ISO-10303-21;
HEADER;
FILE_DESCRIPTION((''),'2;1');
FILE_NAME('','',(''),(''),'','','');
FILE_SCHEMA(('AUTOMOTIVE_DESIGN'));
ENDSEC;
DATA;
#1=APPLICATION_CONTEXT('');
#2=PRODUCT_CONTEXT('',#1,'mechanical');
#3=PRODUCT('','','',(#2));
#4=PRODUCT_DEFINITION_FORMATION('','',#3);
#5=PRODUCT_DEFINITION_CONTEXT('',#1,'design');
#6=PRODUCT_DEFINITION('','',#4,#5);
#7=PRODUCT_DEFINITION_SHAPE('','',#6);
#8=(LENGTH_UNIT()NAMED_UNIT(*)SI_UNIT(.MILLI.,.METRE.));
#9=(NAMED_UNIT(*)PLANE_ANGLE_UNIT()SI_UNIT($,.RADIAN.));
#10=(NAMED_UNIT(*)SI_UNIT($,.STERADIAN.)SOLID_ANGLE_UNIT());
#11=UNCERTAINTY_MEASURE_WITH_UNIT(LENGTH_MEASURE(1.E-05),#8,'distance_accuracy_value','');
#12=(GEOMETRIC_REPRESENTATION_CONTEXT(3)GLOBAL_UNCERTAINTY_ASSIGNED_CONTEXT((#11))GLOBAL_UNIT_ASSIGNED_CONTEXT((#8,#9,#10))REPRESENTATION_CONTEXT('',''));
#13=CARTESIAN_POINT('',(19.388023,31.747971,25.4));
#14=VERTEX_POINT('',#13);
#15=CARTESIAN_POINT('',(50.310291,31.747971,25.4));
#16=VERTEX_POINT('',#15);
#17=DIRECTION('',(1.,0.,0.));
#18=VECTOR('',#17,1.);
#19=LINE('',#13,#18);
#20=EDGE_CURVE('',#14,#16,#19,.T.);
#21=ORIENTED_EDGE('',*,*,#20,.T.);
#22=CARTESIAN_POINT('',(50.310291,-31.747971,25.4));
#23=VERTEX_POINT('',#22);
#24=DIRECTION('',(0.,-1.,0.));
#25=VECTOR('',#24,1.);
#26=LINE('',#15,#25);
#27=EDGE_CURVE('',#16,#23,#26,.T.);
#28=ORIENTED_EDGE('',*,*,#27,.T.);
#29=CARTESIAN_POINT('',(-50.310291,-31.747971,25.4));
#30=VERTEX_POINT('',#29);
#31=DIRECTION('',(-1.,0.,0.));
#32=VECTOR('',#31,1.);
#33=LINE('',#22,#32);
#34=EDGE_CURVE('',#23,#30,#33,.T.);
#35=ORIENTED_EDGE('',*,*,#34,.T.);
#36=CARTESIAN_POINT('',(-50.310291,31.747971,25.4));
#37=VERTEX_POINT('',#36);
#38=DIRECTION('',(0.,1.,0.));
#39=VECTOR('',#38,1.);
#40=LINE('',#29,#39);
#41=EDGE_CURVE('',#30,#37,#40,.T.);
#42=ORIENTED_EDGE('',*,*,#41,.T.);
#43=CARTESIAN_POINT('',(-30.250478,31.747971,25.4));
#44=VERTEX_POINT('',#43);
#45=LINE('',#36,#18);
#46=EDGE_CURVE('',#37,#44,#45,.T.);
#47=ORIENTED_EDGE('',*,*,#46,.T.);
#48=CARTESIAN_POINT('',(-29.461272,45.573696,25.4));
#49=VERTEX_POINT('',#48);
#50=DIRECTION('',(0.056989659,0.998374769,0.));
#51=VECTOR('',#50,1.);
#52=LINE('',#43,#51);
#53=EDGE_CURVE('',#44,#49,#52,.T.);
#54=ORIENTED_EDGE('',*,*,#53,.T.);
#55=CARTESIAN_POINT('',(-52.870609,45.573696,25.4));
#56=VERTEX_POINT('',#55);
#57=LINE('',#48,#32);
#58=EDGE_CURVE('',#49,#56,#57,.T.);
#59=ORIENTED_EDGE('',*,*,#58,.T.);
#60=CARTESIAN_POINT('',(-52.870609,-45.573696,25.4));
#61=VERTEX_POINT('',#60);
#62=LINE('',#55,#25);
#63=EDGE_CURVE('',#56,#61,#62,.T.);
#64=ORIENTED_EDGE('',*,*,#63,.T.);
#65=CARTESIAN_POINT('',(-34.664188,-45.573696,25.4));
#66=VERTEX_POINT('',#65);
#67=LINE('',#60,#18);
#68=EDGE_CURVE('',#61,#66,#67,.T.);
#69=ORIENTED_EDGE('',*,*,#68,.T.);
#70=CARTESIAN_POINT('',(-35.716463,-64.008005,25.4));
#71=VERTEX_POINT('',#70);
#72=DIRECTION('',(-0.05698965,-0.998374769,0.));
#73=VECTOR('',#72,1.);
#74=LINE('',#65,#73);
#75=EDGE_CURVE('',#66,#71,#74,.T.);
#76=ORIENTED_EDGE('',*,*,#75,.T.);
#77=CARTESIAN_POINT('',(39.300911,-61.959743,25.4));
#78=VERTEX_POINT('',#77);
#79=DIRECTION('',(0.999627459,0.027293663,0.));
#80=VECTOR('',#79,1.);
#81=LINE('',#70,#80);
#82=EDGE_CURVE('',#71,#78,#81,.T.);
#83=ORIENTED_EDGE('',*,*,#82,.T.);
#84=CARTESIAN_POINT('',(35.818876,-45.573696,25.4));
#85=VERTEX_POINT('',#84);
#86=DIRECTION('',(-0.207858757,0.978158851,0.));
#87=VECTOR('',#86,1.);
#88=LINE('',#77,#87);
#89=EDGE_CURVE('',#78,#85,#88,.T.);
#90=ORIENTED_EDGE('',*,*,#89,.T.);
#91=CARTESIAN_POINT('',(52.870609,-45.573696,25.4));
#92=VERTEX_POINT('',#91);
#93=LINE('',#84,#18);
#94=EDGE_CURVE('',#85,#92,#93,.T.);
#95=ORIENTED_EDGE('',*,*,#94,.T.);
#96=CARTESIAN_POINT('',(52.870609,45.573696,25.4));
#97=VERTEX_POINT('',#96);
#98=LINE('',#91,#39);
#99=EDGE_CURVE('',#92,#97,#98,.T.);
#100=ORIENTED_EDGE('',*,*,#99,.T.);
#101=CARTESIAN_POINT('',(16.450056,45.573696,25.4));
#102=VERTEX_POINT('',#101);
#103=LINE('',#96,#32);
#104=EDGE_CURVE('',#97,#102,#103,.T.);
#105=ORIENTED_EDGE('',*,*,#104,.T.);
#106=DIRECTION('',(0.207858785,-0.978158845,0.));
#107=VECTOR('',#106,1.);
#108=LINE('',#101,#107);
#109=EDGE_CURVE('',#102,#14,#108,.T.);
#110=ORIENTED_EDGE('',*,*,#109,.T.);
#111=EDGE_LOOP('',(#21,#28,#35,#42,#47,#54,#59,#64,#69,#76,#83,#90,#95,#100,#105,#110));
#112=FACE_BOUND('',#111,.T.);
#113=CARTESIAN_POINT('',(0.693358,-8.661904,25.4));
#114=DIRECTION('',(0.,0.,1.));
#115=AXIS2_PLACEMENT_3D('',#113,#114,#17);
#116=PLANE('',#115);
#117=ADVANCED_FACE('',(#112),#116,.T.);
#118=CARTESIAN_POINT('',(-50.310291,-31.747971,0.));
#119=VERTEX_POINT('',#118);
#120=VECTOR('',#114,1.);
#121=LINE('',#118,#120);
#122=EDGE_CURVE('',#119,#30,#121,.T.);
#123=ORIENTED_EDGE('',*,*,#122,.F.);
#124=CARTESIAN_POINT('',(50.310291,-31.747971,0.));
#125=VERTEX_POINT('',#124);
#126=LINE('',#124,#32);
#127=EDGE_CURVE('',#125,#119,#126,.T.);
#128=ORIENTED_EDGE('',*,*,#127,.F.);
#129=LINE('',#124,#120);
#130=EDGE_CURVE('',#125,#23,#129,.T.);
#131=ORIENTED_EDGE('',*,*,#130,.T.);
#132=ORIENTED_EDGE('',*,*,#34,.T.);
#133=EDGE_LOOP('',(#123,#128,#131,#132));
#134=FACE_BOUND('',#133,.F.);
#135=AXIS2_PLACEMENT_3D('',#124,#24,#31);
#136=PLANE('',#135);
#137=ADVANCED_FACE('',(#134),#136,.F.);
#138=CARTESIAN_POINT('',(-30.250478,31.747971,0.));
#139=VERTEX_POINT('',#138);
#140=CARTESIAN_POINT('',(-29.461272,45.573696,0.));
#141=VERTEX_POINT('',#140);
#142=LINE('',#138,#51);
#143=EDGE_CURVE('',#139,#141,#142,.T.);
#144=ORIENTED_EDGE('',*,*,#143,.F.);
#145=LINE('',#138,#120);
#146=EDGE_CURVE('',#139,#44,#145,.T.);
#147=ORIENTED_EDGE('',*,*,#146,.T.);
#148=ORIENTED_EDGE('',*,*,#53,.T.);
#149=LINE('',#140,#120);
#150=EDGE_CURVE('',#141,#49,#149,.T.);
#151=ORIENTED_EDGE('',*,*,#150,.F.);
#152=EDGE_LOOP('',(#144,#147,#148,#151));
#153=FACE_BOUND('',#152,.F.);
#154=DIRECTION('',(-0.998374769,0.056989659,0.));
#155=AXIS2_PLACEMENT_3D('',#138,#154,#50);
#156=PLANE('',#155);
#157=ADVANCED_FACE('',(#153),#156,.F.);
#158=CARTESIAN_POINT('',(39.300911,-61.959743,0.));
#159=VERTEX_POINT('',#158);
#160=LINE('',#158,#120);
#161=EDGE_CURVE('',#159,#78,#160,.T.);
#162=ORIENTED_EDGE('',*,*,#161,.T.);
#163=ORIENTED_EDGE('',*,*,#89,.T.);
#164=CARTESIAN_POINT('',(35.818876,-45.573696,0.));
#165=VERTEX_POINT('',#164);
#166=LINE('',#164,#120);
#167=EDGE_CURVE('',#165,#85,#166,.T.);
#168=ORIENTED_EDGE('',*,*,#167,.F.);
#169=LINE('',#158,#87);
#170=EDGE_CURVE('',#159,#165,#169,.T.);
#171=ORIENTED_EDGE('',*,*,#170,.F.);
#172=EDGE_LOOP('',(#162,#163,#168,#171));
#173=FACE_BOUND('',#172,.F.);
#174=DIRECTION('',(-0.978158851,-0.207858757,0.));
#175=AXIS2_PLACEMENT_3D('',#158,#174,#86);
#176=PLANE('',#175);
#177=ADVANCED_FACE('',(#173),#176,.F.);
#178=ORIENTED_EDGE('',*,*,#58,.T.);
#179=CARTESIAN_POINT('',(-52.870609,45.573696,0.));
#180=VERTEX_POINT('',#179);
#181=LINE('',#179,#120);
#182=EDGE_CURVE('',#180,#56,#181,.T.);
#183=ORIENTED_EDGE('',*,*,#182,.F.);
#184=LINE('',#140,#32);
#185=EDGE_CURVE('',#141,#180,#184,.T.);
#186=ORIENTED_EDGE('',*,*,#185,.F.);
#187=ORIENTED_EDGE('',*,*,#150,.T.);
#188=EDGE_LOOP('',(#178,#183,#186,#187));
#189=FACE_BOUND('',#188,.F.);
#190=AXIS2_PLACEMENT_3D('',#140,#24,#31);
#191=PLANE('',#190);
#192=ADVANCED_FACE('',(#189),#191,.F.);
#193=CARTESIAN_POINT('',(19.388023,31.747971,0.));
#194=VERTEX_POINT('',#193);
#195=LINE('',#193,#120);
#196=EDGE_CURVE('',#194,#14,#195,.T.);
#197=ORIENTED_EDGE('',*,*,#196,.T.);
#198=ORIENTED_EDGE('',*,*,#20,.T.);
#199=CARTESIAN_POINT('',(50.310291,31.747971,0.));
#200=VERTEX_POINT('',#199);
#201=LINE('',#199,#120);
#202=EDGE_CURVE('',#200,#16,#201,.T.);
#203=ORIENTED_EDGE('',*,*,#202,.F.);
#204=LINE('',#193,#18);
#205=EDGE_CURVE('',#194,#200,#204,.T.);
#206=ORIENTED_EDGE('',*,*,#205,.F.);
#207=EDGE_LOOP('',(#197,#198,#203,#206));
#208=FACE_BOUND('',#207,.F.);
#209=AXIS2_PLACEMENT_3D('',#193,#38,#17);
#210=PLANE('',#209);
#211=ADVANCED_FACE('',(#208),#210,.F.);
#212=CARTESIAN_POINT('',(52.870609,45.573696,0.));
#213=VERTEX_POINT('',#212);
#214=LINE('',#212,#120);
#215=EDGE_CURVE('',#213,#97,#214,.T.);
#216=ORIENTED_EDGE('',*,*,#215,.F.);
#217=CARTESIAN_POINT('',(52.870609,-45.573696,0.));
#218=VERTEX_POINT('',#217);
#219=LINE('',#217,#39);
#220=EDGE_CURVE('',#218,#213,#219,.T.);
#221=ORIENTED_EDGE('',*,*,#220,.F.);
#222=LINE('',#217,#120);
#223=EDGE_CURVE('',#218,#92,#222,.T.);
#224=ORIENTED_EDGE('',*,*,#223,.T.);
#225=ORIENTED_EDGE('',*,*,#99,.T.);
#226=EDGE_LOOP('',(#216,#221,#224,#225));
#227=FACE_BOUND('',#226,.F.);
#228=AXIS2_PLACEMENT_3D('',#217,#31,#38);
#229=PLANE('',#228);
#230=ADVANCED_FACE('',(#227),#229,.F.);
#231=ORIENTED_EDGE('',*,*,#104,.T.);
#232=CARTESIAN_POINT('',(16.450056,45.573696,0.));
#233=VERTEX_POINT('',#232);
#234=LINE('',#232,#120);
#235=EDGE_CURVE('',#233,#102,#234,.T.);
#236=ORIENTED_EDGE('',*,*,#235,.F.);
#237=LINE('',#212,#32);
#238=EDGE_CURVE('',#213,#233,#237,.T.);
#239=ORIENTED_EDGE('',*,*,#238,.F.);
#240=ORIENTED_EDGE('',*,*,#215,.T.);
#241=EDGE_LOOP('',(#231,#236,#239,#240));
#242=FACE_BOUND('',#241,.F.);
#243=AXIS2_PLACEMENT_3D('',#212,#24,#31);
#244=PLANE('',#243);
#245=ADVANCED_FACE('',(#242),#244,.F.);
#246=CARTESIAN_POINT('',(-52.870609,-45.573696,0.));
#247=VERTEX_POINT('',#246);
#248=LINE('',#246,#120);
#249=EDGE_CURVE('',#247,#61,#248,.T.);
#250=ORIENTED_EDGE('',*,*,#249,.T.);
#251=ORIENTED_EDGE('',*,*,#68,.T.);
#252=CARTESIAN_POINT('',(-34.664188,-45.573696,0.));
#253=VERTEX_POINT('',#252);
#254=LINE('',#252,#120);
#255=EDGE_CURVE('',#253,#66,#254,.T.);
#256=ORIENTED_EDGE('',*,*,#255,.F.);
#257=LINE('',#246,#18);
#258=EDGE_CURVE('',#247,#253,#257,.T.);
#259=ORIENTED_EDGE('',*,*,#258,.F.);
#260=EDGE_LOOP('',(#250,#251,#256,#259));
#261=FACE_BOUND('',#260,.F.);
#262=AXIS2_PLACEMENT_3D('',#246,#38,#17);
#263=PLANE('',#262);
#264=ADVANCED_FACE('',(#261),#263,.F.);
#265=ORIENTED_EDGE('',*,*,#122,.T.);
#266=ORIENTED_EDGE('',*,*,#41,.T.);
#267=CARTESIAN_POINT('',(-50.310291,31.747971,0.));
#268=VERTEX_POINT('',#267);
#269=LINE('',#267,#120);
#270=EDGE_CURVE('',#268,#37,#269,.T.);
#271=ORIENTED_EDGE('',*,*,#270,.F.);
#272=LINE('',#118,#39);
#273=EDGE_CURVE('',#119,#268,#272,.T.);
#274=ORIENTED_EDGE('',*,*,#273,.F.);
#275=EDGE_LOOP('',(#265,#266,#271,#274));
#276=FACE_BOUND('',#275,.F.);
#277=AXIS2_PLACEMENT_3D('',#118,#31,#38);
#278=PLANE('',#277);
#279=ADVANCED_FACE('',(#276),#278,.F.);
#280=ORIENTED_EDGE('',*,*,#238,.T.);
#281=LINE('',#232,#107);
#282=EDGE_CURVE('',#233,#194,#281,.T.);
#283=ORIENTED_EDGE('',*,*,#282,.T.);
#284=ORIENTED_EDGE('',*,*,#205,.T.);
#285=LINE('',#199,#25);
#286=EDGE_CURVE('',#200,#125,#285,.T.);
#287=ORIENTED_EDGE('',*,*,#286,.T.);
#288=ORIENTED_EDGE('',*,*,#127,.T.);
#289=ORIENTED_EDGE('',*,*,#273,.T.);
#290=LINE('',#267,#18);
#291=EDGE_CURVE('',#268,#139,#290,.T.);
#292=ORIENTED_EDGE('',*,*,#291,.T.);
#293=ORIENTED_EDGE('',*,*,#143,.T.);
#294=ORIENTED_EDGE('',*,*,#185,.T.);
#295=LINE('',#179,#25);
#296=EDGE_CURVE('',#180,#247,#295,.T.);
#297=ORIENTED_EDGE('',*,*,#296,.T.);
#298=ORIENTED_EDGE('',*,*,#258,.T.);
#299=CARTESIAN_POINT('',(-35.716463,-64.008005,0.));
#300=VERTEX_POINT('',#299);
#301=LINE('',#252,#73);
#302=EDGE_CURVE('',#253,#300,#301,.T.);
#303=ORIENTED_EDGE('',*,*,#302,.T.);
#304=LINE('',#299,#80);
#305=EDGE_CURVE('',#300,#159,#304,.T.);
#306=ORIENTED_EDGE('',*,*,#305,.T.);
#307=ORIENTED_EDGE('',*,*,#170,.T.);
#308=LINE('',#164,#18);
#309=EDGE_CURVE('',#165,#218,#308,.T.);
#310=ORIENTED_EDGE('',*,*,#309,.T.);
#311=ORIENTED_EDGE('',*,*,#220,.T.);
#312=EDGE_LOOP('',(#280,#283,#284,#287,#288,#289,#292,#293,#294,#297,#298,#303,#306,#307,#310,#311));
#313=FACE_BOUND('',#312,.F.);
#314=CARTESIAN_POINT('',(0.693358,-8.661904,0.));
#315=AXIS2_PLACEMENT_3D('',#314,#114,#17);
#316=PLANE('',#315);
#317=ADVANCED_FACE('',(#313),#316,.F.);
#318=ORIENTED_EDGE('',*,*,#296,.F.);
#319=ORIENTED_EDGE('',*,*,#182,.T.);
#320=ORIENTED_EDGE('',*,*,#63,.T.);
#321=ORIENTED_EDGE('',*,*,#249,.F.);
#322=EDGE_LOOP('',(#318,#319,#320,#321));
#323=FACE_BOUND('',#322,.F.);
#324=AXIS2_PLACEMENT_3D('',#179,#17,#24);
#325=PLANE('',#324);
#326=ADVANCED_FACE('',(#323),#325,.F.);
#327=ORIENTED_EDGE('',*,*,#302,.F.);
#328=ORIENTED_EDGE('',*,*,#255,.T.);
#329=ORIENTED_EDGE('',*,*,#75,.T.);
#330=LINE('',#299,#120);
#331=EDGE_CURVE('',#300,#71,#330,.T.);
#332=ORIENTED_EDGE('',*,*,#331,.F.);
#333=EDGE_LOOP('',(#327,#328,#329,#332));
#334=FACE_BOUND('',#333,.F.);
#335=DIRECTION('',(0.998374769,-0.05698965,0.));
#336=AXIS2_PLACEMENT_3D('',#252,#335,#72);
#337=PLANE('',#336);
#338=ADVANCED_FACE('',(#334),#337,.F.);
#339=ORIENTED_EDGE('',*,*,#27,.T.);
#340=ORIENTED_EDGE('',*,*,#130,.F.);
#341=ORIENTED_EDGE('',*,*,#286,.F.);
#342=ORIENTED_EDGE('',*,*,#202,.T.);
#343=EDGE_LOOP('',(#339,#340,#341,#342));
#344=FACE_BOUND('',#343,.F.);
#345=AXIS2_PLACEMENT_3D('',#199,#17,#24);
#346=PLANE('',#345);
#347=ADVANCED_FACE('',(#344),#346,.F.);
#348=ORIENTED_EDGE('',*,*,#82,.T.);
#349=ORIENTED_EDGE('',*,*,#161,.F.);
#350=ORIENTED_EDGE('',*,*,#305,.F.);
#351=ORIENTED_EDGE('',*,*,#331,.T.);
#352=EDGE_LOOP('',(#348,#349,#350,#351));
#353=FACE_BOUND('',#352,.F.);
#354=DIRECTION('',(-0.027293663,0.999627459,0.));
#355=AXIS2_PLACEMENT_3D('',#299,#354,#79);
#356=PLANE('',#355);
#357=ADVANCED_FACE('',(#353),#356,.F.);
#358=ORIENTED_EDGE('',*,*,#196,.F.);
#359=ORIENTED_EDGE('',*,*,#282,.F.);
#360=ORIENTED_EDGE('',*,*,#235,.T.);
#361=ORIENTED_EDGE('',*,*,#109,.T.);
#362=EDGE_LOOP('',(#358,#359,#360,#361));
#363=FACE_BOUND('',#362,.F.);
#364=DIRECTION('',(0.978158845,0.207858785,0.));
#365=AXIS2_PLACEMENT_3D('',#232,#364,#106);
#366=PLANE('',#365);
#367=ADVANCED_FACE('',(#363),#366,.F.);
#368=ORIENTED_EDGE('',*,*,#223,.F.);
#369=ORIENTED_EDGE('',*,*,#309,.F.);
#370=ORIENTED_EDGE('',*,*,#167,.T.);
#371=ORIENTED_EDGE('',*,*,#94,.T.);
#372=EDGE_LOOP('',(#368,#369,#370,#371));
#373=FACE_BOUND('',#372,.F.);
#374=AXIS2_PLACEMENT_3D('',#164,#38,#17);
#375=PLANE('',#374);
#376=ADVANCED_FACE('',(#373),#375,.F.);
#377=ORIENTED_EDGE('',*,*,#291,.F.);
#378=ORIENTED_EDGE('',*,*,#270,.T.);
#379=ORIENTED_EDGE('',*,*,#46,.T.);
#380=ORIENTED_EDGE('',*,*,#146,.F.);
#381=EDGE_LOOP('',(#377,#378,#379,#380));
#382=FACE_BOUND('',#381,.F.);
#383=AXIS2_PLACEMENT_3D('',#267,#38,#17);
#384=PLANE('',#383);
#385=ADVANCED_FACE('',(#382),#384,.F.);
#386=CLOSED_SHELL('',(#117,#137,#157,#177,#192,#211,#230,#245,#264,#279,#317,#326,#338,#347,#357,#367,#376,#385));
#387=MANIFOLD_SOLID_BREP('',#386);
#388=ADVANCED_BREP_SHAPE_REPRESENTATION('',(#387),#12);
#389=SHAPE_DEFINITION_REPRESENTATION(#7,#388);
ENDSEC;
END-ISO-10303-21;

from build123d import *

# Parameters (mm, degrees)
F1_DEPTH = 25.4


with BuildPart() as f1:
    # F0 (on Top) → F1 (new body)
    with BuildSketch(Plane.XY):
        Polygon((19.388023, 31.747971), (50.310291, 31.747971), (50.310291, -31.747971), (-50.310291, -31.747971), (-50.310291, 31.747971), (-30.250478, 31.747971), (-29.461272, 45.573696), (-52.870609, 45.573696), (-52.870609, -45.573696), (-34.664188, -45.573696), (-35.716463, -64.008005), (39.300911, -61.959743), (35.818876, -45.573696), (52.870609, -45.573696), (52.870609, 45.573696), (16.450056, 45.573696), align=None)
    extrude(amount=F1_DEPTH)


solid = f1.part
